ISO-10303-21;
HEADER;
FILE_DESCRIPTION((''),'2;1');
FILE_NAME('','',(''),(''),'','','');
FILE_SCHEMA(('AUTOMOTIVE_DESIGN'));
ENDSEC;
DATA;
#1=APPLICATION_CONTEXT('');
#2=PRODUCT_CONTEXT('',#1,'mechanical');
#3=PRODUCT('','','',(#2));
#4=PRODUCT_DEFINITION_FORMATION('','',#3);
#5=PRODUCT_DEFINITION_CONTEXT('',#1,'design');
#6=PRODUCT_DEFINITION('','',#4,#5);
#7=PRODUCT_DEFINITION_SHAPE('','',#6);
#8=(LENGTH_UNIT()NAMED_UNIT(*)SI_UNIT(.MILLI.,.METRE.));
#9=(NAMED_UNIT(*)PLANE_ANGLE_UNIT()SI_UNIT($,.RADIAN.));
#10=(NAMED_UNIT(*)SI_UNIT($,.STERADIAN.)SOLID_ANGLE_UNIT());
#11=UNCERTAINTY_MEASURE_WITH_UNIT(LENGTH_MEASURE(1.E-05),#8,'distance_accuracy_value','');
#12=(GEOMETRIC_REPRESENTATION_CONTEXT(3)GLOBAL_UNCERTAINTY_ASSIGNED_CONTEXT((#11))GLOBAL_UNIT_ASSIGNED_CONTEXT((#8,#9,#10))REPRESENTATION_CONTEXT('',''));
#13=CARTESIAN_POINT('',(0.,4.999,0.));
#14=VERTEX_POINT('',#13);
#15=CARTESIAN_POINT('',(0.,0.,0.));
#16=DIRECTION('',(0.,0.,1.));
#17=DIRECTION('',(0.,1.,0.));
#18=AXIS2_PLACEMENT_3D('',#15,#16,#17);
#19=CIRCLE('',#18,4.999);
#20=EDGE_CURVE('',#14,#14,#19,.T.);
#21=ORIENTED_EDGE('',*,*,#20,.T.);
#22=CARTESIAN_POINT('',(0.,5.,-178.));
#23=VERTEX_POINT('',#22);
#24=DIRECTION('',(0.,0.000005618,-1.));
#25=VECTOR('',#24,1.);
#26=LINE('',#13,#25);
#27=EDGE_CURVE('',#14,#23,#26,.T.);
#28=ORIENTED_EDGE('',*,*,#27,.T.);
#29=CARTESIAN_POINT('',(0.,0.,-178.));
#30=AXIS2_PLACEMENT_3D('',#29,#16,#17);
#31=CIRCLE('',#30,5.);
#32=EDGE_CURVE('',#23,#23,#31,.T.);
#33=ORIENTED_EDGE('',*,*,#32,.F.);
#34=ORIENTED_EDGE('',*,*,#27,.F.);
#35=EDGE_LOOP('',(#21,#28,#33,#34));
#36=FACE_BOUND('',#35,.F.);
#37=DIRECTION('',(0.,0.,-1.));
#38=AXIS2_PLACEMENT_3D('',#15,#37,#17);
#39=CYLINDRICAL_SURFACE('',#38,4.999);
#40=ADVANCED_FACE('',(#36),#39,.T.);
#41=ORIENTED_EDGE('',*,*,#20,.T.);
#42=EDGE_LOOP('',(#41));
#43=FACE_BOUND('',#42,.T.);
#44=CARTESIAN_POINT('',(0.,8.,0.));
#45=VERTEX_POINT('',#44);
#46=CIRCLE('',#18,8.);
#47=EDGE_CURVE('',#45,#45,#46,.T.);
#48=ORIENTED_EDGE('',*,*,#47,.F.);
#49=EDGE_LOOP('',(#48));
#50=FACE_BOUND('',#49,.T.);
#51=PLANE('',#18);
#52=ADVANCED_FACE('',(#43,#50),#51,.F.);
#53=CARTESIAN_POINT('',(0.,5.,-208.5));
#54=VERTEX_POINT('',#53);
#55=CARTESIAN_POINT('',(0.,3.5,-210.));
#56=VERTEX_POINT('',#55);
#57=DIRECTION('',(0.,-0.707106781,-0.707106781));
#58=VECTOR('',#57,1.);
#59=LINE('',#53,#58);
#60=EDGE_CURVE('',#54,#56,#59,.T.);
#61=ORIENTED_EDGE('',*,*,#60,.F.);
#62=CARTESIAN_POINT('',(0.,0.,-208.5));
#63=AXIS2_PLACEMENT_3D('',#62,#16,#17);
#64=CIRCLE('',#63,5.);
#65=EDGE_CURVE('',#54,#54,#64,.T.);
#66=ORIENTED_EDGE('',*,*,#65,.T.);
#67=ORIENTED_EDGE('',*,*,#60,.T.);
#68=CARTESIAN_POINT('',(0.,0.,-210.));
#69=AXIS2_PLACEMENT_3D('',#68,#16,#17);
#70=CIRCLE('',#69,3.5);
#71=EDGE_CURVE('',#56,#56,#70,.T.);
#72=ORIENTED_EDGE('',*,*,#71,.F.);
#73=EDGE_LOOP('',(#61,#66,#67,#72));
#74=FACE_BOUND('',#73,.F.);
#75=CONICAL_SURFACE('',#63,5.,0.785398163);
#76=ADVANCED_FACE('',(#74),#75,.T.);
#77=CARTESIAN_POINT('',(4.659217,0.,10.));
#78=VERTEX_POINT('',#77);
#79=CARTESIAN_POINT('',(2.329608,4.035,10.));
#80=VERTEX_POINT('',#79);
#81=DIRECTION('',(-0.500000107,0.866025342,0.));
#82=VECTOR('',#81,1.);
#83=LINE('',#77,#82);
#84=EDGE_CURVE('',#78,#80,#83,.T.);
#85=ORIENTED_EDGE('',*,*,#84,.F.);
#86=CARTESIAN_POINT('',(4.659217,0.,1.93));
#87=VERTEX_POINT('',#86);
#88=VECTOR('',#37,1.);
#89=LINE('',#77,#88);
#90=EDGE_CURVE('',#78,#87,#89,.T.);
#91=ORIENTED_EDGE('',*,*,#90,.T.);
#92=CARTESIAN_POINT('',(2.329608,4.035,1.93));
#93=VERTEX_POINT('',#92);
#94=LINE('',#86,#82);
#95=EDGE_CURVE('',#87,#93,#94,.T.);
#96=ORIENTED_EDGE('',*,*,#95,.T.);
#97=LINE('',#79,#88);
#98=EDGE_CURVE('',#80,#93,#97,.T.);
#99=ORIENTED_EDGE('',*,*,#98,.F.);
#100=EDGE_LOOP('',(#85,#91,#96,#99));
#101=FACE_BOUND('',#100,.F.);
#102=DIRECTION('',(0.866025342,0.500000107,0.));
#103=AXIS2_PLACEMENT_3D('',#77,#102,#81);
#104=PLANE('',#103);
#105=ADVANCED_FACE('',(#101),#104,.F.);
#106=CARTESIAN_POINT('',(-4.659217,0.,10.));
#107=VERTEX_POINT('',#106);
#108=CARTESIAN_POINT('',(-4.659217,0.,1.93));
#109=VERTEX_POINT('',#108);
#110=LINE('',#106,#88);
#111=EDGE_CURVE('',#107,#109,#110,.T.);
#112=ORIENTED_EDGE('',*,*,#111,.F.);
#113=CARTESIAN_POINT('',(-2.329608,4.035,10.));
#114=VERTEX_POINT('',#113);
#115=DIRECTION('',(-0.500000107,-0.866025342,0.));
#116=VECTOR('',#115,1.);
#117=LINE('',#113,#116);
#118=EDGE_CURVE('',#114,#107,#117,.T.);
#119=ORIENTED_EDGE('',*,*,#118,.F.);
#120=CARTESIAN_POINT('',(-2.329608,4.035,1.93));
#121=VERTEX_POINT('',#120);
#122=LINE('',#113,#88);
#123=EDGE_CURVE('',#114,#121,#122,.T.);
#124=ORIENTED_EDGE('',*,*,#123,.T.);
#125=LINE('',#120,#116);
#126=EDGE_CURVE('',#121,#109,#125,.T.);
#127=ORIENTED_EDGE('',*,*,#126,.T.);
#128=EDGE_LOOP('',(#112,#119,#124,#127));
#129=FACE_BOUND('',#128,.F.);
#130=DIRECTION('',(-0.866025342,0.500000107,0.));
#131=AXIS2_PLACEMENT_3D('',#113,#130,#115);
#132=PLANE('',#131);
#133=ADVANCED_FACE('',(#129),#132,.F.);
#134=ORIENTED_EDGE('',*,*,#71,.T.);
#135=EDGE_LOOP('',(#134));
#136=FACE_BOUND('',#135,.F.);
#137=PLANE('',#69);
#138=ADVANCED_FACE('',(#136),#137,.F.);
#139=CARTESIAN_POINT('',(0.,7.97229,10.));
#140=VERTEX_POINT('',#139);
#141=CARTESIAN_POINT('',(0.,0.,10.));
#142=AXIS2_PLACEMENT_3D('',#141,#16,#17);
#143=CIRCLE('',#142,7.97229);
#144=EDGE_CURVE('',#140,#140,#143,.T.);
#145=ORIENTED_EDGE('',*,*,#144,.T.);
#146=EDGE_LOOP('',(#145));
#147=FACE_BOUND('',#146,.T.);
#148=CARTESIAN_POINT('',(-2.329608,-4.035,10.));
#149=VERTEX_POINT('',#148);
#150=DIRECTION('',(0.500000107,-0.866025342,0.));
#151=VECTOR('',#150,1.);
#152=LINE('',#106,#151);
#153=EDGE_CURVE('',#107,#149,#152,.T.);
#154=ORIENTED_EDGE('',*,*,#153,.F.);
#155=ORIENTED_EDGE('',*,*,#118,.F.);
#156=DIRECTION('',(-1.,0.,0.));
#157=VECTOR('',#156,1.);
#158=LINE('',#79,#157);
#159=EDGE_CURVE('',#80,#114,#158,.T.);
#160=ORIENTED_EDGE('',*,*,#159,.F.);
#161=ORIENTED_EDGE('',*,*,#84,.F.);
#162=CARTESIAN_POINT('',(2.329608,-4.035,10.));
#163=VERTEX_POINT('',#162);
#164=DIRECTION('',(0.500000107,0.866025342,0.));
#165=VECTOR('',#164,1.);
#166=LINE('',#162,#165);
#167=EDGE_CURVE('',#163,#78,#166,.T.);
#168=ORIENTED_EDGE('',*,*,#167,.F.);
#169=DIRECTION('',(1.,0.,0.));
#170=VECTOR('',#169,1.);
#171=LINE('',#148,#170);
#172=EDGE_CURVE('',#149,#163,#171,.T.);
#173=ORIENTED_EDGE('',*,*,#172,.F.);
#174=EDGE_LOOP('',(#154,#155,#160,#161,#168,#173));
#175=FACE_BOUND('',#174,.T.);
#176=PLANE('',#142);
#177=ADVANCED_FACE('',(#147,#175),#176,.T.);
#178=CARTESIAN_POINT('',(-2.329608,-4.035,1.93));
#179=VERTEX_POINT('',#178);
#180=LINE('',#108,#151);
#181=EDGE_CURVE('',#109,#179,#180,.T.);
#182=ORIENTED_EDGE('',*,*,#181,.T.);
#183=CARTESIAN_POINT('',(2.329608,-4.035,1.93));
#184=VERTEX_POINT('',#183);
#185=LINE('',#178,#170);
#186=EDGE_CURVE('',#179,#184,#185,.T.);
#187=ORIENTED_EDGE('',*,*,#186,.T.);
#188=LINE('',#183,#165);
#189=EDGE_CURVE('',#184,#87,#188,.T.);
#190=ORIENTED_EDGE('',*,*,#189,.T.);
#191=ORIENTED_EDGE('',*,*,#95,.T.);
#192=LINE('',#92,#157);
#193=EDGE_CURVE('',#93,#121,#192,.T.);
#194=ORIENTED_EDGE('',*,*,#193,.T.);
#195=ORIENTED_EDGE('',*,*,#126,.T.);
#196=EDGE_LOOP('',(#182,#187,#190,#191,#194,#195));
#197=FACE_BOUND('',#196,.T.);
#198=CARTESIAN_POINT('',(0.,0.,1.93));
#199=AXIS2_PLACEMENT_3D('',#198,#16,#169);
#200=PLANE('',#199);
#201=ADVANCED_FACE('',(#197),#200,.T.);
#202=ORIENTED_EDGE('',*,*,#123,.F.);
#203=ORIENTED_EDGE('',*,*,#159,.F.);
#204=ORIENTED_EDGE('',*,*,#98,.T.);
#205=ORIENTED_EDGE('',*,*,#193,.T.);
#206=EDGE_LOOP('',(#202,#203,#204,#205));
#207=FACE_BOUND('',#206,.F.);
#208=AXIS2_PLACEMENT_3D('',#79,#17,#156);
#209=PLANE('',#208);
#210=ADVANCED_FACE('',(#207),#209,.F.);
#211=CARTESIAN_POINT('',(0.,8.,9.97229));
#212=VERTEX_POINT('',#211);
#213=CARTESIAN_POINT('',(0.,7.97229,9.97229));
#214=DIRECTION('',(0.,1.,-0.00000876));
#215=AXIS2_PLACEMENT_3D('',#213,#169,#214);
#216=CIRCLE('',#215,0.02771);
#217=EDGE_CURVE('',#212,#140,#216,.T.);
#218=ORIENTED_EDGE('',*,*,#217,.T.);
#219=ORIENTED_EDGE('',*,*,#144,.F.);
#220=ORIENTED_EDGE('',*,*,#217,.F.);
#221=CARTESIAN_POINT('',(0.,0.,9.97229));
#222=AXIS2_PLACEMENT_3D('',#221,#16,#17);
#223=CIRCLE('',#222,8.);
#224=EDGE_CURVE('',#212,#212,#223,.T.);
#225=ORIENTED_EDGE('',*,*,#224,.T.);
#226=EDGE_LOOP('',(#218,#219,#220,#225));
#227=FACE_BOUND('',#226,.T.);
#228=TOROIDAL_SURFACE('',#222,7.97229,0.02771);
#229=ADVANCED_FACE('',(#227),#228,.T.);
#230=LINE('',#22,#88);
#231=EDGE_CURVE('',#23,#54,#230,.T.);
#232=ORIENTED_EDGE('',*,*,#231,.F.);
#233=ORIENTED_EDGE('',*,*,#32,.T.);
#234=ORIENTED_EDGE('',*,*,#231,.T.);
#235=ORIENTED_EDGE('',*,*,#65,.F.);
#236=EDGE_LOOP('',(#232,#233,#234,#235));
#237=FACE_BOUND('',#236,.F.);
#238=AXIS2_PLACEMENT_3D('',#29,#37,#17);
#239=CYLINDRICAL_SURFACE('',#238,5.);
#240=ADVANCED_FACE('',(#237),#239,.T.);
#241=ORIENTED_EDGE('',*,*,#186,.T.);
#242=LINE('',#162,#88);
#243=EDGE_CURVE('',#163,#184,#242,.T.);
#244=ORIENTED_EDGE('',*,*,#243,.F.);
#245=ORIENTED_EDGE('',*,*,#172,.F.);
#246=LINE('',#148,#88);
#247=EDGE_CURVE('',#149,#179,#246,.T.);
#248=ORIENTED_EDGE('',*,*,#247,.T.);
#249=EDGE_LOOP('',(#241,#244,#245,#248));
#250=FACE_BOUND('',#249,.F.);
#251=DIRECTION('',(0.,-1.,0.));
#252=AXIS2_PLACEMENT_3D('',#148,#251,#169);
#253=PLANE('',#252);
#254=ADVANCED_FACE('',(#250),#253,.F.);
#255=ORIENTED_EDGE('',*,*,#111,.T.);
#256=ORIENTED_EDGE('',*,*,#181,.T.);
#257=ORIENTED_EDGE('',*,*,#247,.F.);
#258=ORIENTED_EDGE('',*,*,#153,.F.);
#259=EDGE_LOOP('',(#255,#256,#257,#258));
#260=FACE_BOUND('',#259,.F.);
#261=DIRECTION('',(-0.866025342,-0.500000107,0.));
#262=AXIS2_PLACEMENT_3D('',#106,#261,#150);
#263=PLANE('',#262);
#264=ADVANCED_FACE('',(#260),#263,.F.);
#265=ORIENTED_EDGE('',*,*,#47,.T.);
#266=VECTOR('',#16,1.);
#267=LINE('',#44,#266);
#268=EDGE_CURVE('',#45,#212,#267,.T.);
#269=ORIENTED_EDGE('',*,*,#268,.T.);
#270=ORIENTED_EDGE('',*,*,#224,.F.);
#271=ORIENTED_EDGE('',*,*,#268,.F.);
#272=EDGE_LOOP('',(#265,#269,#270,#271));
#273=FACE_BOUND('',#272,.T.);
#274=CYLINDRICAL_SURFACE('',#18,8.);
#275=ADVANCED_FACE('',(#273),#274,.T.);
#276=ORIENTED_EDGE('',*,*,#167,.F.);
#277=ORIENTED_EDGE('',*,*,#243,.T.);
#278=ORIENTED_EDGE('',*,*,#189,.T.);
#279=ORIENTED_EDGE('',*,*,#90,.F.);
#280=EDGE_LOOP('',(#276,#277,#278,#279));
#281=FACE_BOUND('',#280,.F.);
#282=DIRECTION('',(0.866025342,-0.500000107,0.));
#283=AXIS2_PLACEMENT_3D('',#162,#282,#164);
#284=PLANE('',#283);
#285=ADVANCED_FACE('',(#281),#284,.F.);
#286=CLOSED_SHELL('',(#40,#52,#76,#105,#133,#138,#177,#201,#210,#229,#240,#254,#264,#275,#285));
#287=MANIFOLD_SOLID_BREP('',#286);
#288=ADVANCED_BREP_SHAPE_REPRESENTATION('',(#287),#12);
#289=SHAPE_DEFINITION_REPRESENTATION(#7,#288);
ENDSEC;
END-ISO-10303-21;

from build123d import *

# Parameters (mm, degrees)
POCKET_DEPTH = 8.07


with BuildPart() as part:
    # Sketch → Revolve (revolve)
    with BuildSketch(Plane.YZ):
        with BuildLine():
            Line((4.999, 0), (8, 0))
            Line((8, 0), (8, 9.97229))
            ThreePointArc((8, 9.97229), (7.991884, 9.991884), (7.97229, 10))
            Line((7.97229, 10), (0, 10))
            Line((0, -210), (0, 10))
            Line((3.5, -210), (0, -210))
            Line((5, -208.5), (3.5, -210))
            Line((5, -178), (5, -208.5))
            Line((4.999, 0), (5, -178))
        make_face()
    revolve(axis=Axis((0, 0, 0), (0, 0, 1)))

    # Sketch001 → Pocket (cut)
    with BuildSketch(Plane.XY.offset(10)):
        Polygon((4.659217, 0), (2.329608, 4.035), (-2.329608, 4.035), (-4.659217, 0), (-2.329608, -4.035), (2.329608, -4.035), align=None)
    extrude(amount=-POCKET_DEPTH, mode=Mode.SUBTRACT)


solid = part.part
